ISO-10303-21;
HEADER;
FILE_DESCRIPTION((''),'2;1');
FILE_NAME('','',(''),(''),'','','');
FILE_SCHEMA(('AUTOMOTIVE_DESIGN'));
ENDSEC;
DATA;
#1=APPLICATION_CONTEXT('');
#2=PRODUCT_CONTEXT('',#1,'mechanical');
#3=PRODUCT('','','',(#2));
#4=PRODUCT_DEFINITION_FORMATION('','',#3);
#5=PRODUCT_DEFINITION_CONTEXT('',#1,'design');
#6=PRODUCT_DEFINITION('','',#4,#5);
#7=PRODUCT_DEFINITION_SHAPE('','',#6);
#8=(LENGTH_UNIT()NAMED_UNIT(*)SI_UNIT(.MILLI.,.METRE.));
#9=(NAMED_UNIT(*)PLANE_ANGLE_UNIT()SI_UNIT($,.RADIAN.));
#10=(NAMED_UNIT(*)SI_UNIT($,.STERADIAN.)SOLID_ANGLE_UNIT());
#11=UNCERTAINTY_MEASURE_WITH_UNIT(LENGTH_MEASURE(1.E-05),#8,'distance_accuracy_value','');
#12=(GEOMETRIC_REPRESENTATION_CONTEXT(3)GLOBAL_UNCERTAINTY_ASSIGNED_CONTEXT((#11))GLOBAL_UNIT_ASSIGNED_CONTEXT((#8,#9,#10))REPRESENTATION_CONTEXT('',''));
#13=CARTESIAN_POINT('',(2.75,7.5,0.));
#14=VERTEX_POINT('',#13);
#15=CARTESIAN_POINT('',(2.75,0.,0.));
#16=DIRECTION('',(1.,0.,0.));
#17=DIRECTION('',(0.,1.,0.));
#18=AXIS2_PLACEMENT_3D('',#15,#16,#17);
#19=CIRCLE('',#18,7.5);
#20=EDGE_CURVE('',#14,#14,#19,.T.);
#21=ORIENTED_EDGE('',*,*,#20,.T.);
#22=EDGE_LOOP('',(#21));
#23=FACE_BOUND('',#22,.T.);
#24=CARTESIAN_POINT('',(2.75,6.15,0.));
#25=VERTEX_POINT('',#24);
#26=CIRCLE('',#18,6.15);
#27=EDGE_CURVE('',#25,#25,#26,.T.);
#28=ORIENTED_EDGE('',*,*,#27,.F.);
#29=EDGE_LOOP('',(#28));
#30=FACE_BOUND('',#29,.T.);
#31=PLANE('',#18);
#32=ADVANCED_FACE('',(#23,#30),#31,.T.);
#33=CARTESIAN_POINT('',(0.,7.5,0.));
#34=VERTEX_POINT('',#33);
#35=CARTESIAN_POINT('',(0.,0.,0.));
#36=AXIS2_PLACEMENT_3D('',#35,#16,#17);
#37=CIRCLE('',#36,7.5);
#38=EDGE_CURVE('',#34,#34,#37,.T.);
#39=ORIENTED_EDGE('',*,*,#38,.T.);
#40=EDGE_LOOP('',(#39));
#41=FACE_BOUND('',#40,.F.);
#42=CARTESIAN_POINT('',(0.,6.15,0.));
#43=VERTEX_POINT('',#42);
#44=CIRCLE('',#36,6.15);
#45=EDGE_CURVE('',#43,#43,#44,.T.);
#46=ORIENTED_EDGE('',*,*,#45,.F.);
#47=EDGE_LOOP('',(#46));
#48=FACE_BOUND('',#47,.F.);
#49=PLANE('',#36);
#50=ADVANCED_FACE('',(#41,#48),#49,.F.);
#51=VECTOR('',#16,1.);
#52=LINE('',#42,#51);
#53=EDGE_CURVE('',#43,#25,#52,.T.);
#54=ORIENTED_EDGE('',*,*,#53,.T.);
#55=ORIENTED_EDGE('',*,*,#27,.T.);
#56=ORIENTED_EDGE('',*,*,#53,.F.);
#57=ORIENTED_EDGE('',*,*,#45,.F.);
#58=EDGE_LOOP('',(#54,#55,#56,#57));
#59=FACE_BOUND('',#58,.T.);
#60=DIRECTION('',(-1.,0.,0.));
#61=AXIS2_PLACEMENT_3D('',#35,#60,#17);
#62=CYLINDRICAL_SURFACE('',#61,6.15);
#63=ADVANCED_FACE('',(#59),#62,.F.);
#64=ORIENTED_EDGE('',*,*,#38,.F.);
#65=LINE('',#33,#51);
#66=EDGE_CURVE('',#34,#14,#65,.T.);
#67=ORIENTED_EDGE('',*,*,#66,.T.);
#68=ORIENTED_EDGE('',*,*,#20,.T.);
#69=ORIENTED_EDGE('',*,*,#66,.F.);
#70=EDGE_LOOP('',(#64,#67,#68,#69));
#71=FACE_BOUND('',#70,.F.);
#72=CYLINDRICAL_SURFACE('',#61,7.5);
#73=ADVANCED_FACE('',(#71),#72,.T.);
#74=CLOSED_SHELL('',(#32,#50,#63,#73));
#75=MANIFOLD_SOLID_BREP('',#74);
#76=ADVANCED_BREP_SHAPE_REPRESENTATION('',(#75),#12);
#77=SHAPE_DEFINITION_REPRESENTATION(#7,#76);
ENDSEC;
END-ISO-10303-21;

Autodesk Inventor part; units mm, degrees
ref_plane "YZ Plane" through (0, 0, 0) normal (1, 0, 0) x (0, 1, 0)
ref_plane "XZ Plane" through (0, 0, 0) normal (0, 1, 0) x (-1, 0, 0)
ref_plane "XY Plane" through (0, 0, 0) normal (0, 0, 1) x (1, 0, 0)
sketch "スケッチ1" plane through (0, 0, 0) normal (1, 0, 0) x (0, 1, 0)
  circle A0 centre (0, 0) radius 6.15
  circle A1 centre (0, 0) radius 7.5
  dimension "d0" = 12.3
  dimension "d1" = 15
extrude "押し出し1" add sketch "スケッチ1" along normal blind 2.75
properties part number "RZvector-v1-3DP-P-Spacer" material "ABS プラスチック"
